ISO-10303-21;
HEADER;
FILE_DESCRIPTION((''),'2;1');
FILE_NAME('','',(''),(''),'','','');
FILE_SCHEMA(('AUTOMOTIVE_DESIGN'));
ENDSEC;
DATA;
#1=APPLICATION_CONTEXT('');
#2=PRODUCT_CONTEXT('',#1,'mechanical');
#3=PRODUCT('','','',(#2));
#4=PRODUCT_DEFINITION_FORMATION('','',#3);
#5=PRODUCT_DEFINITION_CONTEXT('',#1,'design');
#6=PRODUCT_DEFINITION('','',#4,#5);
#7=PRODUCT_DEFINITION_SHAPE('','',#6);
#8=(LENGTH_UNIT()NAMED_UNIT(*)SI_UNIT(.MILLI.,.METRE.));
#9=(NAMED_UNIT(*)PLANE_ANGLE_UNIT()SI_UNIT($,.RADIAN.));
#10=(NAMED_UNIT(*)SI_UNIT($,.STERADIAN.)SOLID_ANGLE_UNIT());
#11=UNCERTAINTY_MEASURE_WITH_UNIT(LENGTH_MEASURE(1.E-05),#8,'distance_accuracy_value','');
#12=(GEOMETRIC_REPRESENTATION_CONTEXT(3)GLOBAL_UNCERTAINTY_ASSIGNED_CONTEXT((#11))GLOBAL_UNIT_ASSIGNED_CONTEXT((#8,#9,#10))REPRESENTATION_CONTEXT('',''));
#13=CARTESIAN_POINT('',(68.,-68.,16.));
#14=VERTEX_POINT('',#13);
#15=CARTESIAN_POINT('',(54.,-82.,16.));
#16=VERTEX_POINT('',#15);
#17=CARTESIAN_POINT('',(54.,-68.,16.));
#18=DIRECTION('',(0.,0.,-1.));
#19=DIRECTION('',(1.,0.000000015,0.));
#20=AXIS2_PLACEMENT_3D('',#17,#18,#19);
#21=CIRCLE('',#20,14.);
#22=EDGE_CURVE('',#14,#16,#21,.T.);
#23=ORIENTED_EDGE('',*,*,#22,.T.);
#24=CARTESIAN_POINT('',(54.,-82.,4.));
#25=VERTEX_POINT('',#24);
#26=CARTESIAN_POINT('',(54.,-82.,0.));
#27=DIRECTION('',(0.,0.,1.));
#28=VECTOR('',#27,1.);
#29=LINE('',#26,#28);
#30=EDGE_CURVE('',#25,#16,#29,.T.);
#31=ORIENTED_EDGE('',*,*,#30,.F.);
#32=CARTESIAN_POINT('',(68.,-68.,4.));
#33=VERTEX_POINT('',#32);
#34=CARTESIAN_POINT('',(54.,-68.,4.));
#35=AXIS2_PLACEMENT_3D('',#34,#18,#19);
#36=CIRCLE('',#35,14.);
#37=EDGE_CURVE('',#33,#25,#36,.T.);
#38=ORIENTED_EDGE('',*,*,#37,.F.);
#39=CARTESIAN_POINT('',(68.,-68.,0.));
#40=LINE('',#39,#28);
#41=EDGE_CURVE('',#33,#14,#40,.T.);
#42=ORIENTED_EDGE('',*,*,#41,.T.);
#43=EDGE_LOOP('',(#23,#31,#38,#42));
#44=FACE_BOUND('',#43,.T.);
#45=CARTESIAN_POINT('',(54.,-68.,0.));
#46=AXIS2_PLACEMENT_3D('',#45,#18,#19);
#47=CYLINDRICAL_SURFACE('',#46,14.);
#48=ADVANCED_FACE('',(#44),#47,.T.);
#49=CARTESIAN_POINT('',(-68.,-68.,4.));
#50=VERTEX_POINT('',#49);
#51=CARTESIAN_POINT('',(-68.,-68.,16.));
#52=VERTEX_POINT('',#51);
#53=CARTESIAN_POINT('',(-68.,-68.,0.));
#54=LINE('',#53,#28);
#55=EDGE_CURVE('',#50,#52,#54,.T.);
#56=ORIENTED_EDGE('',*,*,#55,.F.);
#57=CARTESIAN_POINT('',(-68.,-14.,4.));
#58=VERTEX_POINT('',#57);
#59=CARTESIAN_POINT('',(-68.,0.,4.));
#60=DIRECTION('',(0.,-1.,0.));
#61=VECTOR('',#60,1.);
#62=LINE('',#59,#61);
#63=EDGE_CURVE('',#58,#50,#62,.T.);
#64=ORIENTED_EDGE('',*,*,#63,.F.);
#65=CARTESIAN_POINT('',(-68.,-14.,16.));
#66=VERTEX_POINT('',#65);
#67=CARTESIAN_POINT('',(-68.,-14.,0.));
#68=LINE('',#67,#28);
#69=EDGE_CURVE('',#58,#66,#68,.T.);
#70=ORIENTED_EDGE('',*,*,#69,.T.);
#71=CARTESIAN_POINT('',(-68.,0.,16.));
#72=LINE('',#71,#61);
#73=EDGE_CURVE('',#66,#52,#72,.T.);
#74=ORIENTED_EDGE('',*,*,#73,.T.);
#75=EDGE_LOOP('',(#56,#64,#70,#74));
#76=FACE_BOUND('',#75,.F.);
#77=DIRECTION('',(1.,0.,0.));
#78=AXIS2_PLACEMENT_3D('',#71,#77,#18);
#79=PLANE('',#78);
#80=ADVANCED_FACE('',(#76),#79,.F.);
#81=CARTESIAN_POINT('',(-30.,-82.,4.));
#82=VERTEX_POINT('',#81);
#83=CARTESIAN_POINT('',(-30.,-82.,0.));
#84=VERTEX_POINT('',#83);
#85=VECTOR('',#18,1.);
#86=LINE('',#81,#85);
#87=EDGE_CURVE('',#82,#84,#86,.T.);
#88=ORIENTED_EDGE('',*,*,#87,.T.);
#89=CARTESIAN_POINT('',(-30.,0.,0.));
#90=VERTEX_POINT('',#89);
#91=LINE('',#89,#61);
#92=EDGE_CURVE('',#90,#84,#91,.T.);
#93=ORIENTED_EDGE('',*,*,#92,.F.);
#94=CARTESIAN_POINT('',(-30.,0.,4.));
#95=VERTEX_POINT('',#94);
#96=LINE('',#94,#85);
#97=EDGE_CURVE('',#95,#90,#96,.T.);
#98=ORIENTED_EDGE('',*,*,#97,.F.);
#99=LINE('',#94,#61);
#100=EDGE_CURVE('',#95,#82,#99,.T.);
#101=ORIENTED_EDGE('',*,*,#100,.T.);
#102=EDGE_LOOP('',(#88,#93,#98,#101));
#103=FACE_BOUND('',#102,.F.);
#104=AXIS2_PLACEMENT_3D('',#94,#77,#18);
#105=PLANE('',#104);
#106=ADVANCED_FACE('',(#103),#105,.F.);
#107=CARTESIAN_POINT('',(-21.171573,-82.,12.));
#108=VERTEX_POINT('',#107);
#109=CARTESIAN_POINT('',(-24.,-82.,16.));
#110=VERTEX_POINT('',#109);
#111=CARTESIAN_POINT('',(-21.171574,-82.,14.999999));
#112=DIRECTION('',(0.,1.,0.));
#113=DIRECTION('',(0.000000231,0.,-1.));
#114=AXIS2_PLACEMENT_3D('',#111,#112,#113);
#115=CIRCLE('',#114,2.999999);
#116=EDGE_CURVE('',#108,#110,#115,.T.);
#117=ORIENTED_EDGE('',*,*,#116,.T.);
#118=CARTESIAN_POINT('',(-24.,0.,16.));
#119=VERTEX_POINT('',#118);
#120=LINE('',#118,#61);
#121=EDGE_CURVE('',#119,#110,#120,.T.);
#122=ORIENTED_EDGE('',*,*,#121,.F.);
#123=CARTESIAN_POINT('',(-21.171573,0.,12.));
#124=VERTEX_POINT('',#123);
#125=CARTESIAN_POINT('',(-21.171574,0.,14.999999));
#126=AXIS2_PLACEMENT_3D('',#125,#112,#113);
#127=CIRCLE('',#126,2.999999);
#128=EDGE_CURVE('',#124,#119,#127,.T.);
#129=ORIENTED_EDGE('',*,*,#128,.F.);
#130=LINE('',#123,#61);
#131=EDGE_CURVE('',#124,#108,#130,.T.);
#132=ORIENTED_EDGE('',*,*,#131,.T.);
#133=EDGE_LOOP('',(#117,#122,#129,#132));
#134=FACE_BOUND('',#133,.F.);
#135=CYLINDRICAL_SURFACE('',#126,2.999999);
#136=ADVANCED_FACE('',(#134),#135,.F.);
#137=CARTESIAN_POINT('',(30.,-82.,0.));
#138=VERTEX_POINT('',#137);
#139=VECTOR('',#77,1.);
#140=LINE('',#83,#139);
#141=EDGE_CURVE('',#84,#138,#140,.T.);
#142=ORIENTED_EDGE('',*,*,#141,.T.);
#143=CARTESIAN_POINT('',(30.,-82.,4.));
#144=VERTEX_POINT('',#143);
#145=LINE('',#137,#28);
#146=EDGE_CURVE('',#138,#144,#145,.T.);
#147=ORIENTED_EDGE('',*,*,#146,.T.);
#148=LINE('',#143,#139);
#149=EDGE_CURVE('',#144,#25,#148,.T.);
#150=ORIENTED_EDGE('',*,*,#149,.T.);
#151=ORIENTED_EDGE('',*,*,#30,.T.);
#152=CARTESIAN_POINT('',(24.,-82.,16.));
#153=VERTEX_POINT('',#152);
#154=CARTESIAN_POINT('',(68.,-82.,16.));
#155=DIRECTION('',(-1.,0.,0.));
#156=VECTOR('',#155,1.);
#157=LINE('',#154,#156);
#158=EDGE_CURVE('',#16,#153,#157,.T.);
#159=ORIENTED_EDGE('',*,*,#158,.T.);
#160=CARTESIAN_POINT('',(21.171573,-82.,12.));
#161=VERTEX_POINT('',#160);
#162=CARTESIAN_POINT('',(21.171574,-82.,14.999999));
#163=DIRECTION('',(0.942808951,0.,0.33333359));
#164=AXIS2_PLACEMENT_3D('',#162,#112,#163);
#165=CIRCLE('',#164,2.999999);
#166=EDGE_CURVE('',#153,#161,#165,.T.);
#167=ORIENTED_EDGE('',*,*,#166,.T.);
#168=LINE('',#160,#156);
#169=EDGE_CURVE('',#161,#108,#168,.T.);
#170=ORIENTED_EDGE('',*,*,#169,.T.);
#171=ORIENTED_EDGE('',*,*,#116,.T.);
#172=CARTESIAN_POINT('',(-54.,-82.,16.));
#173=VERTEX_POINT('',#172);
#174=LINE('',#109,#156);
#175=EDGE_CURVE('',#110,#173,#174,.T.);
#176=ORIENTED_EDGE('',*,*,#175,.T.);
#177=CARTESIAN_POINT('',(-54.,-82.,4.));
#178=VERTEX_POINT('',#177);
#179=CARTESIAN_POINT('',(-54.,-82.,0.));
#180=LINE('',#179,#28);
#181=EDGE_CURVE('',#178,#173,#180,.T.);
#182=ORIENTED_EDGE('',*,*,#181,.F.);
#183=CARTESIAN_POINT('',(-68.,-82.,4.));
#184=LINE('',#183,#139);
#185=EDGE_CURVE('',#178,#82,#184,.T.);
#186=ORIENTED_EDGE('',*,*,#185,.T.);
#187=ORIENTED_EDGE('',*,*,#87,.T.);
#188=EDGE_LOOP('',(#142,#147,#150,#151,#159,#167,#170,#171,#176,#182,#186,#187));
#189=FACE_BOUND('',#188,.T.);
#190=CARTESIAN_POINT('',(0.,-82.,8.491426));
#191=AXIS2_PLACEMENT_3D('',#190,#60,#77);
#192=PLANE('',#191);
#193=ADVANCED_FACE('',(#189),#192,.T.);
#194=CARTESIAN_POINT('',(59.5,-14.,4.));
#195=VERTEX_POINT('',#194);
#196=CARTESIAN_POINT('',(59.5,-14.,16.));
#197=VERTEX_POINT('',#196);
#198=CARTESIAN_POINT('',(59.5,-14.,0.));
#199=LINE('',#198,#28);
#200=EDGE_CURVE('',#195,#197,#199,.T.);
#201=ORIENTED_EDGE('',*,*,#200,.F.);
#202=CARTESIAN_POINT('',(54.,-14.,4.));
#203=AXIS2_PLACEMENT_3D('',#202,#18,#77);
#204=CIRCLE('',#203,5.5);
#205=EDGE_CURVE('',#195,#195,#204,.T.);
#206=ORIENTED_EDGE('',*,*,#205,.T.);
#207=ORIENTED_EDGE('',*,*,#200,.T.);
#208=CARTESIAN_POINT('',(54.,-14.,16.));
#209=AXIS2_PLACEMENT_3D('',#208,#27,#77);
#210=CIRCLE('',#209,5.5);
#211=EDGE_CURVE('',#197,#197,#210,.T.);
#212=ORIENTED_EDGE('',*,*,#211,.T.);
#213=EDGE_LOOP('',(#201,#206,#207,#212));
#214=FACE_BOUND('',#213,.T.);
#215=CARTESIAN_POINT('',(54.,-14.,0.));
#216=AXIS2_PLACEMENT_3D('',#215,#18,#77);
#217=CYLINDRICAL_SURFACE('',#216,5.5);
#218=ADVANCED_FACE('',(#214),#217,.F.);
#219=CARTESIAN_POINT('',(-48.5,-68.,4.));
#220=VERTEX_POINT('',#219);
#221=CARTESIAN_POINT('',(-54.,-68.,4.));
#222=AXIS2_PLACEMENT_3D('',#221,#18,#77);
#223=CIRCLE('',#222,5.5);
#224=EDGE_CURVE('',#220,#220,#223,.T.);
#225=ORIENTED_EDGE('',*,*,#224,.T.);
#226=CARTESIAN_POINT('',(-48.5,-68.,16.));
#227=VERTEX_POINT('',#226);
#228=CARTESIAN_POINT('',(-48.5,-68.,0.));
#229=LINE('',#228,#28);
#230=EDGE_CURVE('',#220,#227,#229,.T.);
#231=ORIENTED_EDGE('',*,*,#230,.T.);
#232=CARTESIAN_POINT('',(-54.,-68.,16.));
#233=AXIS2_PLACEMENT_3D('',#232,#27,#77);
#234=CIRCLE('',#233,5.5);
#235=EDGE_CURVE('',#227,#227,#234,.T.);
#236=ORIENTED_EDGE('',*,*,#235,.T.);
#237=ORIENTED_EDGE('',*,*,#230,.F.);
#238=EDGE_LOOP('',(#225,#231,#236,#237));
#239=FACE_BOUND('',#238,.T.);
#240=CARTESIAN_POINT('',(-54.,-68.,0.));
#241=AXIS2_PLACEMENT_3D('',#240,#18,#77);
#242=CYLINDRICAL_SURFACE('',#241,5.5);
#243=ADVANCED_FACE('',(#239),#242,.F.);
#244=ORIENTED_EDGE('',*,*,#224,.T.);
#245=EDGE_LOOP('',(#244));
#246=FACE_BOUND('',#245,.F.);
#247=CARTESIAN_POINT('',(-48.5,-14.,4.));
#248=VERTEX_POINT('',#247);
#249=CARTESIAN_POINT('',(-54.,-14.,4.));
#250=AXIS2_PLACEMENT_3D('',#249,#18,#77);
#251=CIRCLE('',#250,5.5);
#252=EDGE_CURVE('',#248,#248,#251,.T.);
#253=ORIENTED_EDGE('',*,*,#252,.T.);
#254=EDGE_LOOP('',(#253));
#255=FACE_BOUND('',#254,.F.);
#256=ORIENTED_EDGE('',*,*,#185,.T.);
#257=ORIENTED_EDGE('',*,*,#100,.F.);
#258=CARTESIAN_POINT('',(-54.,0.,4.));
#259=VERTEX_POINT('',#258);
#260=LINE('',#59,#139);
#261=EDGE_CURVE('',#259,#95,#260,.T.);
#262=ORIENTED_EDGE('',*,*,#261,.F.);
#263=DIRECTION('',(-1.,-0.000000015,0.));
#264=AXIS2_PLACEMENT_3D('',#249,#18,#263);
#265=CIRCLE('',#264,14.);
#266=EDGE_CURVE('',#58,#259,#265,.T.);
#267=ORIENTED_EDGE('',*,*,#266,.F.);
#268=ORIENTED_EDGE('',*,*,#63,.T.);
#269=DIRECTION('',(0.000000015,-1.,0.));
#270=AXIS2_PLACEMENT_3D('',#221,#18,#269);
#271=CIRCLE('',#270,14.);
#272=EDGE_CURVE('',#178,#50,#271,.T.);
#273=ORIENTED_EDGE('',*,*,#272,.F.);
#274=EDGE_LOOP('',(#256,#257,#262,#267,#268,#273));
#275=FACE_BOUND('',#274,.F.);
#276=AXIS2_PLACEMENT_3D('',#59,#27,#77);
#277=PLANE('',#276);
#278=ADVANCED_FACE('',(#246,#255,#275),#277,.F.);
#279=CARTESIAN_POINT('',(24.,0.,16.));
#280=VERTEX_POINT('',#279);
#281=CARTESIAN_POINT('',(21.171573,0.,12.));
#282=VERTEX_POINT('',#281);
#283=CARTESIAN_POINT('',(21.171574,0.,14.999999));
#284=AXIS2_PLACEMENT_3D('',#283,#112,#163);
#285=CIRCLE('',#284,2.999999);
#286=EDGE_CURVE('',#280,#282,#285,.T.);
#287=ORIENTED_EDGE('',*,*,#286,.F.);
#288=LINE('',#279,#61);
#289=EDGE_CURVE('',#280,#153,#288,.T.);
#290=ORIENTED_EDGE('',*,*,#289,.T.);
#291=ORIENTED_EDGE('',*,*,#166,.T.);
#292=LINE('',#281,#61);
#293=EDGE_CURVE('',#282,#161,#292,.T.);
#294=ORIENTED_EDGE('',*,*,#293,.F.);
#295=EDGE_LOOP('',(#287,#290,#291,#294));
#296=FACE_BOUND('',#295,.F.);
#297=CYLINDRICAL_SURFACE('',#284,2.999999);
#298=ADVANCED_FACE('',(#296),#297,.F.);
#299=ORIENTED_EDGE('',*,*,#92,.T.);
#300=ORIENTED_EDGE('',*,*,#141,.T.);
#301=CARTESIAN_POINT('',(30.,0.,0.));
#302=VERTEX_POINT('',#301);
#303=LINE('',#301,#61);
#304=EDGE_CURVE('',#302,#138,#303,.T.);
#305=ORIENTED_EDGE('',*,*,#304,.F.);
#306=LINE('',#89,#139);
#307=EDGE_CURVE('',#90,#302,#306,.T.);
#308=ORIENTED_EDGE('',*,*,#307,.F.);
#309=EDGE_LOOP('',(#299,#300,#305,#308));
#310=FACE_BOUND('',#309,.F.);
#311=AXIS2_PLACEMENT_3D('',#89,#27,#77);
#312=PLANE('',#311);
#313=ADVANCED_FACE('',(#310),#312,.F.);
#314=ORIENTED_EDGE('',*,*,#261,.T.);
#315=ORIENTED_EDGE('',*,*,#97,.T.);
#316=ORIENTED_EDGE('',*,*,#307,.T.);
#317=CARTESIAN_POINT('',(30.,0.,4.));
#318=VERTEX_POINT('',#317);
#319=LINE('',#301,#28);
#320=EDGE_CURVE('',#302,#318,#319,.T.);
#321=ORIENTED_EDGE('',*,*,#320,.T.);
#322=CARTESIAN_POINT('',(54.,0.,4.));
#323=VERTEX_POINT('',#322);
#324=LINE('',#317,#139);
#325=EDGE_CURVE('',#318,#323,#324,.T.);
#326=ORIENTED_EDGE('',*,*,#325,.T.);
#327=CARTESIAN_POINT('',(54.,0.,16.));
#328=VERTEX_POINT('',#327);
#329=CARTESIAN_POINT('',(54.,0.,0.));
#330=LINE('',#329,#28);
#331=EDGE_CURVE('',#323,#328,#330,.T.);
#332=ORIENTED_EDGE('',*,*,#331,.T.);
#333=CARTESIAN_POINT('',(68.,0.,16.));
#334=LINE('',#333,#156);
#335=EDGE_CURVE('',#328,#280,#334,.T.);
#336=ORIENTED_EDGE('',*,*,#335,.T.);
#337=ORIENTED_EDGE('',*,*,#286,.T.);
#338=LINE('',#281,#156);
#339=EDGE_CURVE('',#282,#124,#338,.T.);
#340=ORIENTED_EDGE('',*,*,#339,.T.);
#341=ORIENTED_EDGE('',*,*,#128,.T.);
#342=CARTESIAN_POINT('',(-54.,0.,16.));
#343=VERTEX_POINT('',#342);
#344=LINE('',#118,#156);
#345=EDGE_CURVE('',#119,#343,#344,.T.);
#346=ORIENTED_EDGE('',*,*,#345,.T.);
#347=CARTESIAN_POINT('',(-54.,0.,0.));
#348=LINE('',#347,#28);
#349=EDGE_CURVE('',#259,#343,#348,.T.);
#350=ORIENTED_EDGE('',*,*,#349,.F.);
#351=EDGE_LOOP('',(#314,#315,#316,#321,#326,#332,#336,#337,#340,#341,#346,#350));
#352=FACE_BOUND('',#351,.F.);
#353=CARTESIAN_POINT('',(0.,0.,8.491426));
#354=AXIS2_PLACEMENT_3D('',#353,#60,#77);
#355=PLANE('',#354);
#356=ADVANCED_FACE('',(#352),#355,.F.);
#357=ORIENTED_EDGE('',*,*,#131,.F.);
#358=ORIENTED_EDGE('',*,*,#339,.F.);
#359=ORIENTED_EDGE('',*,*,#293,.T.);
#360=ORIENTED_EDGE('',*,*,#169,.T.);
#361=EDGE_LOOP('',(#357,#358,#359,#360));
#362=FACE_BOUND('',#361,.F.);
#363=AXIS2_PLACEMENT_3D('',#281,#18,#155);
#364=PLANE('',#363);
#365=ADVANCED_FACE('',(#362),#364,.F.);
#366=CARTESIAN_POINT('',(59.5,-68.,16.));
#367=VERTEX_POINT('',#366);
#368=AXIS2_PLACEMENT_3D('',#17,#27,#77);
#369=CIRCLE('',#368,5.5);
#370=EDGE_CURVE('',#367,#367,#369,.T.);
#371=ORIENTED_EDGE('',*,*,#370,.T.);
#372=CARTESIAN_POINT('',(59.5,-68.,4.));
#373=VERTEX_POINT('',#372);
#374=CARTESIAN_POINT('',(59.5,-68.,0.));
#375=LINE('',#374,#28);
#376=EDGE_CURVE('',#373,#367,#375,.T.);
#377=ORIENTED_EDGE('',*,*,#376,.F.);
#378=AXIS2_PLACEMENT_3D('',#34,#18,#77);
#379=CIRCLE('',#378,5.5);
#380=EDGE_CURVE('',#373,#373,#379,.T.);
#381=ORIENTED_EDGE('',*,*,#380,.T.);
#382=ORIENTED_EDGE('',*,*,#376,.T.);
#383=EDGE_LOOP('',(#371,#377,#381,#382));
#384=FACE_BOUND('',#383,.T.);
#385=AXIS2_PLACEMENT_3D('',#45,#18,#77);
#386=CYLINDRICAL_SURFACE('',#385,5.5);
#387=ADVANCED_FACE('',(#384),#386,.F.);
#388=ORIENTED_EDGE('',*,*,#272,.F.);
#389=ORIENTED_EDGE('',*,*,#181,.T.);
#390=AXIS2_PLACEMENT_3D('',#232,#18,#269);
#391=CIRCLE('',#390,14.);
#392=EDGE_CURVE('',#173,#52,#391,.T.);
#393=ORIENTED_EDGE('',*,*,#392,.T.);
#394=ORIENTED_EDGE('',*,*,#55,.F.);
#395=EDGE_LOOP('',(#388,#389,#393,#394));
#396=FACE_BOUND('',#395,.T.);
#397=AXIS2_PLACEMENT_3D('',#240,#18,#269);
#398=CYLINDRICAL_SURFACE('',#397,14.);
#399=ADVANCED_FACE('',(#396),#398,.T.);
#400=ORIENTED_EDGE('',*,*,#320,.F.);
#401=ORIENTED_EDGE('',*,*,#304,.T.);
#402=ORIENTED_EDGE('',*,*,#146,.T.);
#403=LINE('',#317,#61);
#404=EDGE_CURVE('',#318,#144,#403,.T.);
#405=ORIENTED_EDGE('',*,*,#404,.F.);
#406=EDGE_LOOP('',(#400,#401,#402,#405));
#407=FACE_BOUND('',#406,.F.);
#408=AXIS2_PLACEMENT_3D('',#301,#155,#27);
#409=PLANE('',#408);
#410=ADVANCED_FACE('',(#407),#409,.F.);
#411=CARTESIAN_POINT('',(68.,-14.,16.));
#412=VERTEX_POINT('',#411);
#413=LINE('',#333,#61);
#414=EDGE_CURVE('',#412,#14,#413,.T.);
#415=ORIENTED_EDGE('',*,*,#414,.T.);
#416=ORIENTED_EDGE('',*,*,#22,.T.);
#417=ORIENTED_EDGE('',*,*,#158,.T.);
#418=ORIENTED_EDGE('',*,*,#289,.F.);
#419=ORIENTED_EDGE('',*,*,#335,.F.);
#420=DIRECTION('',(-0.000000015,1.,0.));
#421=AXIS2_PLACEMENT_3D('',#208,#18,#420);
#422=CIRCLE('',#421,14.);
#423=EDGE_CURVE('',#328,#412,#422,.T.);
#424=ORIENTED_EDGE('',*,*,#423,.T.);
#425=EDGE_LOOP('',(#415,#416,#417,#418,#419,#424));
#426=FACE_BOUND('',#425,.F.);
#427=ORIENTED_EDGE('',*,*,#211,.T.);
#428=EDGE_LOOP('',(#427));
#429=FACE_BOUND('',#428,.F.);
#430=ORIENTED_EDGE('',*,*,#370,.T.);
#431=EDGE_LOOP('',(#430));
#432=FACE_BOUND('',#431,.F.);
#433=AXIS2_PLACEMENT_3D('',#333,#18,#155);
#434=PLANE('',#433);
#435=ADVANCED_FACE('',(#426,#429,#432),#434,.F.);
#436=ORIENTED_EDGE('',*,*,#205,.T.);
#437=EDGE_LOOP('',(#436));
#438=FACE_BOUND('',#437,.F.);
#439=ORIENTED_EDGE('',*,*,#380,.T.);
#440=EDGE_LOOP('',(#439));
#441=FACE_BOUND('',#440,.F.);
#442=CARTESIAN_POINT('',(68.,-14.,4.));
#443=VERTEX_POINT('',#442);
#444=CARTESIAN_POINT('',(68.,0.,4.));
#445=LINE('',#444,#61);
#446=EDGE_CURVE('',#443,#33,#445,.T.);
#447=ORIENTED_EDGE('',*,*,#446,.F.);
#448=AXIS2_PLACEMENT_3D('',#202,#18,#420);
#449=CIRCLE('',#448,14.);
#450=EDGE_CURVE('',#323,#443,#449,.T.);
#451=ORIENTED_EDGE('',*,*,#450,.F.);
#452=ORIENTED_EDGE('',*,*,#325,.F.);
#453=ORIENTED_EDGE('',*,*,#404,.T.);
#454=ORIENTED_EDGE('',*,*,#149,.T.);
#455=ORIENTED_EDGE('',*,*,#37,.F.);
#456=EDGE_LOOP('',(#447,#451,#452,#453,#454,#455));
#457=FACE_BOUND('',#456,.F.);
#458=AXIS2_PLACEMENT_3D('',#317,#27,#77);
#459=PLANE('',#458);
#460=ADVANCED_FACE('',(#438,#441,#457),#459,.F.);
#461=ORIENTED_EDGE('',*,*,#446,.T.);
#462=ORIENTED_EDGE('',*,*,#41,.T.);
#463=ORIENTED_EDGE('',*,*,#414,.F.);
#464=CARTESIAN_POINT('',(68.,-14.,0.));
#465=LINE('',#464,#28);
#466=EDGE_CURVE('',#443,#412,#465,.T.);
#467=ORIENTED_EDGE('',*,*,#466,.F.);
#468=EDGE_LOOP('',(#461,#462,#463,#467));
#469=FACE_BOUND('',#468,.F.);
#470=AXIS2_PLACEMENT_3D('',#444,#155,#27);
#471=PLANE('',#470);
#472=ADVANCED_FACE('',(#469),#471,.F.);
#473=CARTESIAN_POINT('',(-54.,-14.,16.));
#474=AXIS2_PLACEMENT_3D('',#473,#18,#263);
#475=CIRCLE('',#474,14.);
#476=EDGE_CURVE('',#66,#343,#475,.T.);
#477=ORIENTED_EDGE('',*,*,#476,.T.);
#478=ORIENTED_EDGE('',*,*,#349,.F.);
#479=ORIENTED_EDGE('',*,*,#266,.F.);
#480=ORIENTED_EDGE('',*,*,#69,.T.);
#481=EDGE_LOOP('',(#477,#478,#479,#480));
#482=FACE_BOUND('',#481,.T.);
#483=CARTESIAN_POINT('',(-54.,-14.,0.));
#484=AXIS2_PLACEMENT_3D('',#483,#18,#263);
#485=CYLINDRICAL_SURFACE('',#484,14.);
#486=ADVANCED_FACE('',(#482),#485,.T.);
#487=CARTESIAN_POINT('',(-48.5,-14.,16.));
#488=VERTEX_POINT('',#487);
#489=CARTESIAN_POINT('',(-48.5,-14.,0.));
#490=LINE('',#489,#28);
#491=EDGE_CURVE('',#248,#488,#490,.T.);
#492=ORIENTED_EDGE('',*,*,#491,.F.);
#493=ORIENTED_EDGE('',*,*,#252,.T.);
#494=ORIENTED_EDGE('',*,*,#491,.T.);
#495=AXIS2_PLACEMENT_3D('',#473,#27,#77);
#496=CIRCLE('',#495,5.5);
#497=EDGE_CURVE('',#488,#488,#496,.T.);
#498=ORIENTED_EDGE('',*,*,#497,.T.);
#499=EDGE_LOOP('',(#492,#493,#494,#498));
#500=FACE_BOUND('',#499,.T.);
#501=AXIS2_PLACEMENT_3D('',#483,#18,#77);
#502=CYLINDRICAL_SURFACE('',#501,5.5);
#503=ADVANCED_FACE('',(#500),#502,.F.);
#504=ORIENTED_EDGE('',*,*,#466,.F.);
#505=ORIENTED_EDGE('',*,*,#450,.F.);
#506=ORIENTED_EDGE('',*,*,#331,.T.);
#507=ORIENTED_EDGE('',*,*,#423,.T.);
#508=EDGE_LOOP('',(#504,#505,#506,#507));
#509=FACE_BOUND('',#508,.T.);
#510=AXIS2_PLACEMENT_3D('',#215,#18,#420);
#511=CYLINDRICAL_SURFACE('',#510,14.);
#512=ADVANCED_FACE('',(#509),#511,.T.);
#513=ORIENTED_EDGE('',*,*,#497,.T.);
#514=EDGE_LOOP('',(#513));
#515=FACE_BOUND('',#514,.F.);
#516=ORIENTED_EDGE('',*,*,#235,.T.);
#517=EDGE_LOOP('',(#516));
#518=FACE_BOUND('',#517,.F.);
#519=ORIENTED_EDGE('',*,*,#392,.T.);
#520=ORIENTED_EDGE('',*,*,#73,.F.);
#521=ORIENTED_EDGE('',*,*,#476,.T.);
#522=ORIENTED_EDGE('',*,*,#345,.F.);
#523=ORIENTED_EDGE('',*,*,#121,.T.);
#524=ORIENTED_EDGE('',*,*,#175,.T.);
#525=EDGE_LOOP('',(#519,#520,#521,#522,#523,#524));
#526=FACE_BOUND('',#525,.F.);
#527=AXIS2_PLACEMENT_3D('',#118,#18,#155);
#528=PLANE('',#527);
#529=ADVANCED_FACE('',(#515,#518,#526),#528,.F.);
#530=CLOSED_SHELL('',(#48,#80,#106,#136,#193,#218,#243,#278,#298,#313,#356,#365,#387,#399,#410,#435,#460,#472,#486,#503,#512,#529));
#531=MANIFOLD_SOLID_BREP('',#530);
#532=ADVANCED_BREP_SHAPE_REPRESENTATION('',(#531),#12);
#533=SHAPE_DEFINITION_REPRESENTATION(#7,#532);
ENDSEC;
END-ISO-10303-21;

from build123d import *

# Parameters (mm, degrees)
F1_DEPTH = 82
F2_R     = 5.5
F3_DEPTH = 16


with BuildPart() as f1:
    # F0 (on Front) → F1 (new body)
    with BuildSketch(Plane.XZ):
        with BuildLine():
            Line((-30, 4), (-30, 0))
            Line((-30, 0), (30, 0))
            Line((30, 0), (30, 4))
            Line((30, 4), (68, 4))
            Line((68, 4), (68, 16))
            Line((68, 16), (24, 16))
            ThreePointArc((24, 16), (23.621063, 13.267949), (21.171573, 12))
            Line((21.171573, 12), (-21.171573, 12))
            ThreePointArc((-21.171573, 12), (-23.621063, 13.267949), (-24, 16))
            Line((-24, 16), (-68, 16))
            Line((-68, 16), (-68, 4))
            Line((-68, 4), (-30, 4))
        make_face()
    extrude(amount=F1_DEPTH)

    # F2 (on Top) → F3 (cut)
    with BuildSketch(Plane.XY):
        with BuildLine():
            Line((68, -82), (68, -68))
            ThreePointArc((68, -68), (63.899495, -77.899495), (54, -82))
            Line((54, -82), (68, -82))
        make_face()
        with BuildLine():
            Line((68, 0), (54, 0))
            ThreePointArc((54, 0), (63.899495, -4.100505), (68, -14))
            Line((68, -14), (68, 0))
        make_face()
        with BuildLine():
            ThreePointArc((-68, -14), (-63.899495, -4.100505), (-54, 0))
            Line((-54, 0), (-68, 0))
            Line((-68, 0), (-68, -14))
        make_face()
        with Locations((-54, -14)):
            Circle(F2_R)
        with BuildLine():
            ThreePointArc((-54, -82), (-63.899495, -77.899495), (-68, -68))
            Line((-68, -68), (-68, -82))
            Line((-68, -82), (-54, -82))
        make_face()
        with Locations((54, -14)):
            Circle(F2_R)
        with Locations((54, -68)):
            Circle(F2_R)
        with Locations((-54, -68)):
            Circle(F2_R)
    extrude(amount=F3_DEPTH, mode=Mode.SUBTRACT)


solid = f1.part
